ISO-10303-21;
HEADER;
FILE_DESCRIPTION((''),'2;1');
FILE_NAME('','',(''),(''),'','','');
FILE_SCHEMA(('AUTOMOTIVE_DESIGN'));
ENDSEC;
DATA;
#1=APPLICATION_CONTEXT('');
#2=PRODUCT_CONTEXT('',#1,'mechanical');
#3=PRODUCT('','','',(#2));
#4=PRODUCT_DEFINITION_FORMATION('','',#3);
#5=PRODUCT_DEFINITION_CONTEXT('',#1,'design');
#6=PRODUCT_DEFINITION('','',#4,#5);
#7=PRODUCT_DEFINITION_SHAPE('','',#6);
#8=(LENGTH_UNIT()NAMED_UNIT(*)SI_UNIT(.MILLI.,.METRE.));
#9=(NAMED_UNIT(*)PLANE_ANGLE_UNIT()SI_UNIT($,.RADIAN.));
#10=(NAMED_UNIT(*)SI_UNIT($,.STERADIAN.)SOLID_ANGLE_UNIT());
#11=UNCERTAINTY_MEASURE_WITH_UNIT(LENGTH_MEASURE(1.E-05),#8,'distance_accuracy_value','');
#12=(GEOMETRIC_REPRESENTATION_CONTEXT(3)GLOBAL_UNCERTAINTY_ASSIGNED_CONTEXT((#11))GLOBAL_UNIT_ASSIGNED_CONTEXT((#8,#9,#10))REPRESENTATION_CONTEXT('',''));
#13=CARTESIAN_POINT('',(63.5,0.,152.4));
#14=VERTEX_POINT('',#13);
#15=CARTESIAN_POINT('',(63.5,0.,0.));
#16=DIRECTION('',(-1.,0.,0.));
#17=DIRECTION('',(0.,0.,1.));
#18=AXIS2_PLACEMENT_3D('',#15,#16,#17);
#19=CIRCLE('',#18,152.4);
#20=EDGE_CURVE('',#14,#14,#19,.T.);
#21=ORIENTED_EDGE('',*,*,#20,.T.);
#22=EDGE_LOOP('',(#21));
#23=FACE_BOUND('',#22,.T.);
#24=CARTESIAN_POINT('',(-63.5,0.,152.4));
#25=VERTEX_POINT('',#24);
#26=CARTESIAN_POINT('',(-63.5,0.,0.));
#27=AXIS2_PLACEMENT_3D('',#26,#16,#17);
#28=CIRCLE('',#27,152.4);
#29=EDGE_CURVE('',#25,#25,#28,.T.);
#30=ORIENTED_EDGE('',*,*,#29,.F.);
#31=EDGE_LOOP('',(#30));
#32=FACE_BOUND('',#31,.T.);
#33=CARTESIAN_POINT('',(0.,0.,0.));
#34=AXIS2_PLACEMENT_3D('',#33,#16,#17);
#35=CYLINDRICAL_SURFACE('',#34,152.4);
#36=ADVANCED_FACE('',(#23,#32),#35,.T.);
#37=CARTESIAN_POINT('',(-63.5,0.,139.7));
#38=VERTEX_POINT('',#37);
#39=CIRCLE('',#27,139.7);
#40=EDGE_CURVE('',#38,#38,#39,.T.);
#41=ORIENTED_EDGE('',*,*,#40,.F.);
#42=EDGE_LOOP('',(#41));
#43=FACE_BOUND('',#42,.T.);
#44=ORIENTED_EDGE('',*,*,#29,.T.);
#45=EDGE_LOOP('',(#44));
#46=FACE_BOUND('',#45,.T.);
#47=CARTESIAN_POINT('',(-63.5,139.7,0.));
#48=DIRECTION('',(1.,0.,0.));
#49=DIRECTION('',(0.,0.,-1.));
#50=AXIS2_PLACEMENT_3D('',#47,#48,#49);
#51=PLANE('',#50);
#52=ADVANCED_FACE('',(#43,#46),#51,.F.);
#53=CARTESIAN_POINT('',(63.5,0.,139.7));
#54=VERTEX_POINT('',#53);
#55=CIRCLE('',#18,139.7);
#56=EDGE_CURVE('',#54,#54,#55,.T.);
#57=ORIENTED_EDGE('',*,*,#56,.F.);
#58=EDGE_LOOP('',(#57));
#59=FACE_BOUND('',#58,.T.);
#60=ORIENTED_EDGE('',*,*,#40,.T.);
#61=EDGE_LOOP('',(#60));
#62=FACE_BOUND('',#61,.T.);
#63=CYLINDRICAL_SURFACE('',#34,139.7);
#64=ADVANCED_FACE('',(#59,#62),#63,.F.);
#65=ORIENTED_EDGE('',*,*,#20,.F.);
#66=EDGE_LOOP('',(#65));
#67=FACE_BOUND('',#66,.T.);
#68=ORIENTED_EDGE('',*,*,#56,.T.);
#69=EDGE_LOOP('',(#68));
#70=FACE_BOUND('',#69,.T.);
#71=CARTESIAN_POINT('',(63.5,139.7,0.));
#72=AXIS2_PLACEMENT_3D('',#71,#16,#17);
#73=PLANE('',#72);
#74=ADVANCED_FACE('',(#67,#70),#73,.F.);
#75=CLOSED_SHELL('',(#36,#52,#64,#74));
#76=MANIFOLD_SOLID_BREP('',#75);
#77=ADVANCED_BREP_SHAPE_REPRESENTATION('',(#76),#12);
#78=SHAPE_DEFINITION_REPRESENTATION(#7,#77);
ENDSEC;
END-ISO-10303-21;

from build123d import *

# Parameters (mm, degrees)
SKETCH1_W = 127
SKETCH1_H = 12.7


with BuildPart() as part:
    # Sketch1 → Revolve1 (revolve)
    with BuildSketch(Plane.XY, mode=Mode.PRIVATE) as revolve1_sk:
        with Locations((0, 146.05)):
            Rectangle(SKETCH1_W, SKETCH1_H)
    revolve(revolve1_sk.sketch.rotate(Axis((0, 0, 0), (1, 0, 0)), 90), axis=Axis((0, 0, 0), (1, 0, 0)))


solid = part.part
